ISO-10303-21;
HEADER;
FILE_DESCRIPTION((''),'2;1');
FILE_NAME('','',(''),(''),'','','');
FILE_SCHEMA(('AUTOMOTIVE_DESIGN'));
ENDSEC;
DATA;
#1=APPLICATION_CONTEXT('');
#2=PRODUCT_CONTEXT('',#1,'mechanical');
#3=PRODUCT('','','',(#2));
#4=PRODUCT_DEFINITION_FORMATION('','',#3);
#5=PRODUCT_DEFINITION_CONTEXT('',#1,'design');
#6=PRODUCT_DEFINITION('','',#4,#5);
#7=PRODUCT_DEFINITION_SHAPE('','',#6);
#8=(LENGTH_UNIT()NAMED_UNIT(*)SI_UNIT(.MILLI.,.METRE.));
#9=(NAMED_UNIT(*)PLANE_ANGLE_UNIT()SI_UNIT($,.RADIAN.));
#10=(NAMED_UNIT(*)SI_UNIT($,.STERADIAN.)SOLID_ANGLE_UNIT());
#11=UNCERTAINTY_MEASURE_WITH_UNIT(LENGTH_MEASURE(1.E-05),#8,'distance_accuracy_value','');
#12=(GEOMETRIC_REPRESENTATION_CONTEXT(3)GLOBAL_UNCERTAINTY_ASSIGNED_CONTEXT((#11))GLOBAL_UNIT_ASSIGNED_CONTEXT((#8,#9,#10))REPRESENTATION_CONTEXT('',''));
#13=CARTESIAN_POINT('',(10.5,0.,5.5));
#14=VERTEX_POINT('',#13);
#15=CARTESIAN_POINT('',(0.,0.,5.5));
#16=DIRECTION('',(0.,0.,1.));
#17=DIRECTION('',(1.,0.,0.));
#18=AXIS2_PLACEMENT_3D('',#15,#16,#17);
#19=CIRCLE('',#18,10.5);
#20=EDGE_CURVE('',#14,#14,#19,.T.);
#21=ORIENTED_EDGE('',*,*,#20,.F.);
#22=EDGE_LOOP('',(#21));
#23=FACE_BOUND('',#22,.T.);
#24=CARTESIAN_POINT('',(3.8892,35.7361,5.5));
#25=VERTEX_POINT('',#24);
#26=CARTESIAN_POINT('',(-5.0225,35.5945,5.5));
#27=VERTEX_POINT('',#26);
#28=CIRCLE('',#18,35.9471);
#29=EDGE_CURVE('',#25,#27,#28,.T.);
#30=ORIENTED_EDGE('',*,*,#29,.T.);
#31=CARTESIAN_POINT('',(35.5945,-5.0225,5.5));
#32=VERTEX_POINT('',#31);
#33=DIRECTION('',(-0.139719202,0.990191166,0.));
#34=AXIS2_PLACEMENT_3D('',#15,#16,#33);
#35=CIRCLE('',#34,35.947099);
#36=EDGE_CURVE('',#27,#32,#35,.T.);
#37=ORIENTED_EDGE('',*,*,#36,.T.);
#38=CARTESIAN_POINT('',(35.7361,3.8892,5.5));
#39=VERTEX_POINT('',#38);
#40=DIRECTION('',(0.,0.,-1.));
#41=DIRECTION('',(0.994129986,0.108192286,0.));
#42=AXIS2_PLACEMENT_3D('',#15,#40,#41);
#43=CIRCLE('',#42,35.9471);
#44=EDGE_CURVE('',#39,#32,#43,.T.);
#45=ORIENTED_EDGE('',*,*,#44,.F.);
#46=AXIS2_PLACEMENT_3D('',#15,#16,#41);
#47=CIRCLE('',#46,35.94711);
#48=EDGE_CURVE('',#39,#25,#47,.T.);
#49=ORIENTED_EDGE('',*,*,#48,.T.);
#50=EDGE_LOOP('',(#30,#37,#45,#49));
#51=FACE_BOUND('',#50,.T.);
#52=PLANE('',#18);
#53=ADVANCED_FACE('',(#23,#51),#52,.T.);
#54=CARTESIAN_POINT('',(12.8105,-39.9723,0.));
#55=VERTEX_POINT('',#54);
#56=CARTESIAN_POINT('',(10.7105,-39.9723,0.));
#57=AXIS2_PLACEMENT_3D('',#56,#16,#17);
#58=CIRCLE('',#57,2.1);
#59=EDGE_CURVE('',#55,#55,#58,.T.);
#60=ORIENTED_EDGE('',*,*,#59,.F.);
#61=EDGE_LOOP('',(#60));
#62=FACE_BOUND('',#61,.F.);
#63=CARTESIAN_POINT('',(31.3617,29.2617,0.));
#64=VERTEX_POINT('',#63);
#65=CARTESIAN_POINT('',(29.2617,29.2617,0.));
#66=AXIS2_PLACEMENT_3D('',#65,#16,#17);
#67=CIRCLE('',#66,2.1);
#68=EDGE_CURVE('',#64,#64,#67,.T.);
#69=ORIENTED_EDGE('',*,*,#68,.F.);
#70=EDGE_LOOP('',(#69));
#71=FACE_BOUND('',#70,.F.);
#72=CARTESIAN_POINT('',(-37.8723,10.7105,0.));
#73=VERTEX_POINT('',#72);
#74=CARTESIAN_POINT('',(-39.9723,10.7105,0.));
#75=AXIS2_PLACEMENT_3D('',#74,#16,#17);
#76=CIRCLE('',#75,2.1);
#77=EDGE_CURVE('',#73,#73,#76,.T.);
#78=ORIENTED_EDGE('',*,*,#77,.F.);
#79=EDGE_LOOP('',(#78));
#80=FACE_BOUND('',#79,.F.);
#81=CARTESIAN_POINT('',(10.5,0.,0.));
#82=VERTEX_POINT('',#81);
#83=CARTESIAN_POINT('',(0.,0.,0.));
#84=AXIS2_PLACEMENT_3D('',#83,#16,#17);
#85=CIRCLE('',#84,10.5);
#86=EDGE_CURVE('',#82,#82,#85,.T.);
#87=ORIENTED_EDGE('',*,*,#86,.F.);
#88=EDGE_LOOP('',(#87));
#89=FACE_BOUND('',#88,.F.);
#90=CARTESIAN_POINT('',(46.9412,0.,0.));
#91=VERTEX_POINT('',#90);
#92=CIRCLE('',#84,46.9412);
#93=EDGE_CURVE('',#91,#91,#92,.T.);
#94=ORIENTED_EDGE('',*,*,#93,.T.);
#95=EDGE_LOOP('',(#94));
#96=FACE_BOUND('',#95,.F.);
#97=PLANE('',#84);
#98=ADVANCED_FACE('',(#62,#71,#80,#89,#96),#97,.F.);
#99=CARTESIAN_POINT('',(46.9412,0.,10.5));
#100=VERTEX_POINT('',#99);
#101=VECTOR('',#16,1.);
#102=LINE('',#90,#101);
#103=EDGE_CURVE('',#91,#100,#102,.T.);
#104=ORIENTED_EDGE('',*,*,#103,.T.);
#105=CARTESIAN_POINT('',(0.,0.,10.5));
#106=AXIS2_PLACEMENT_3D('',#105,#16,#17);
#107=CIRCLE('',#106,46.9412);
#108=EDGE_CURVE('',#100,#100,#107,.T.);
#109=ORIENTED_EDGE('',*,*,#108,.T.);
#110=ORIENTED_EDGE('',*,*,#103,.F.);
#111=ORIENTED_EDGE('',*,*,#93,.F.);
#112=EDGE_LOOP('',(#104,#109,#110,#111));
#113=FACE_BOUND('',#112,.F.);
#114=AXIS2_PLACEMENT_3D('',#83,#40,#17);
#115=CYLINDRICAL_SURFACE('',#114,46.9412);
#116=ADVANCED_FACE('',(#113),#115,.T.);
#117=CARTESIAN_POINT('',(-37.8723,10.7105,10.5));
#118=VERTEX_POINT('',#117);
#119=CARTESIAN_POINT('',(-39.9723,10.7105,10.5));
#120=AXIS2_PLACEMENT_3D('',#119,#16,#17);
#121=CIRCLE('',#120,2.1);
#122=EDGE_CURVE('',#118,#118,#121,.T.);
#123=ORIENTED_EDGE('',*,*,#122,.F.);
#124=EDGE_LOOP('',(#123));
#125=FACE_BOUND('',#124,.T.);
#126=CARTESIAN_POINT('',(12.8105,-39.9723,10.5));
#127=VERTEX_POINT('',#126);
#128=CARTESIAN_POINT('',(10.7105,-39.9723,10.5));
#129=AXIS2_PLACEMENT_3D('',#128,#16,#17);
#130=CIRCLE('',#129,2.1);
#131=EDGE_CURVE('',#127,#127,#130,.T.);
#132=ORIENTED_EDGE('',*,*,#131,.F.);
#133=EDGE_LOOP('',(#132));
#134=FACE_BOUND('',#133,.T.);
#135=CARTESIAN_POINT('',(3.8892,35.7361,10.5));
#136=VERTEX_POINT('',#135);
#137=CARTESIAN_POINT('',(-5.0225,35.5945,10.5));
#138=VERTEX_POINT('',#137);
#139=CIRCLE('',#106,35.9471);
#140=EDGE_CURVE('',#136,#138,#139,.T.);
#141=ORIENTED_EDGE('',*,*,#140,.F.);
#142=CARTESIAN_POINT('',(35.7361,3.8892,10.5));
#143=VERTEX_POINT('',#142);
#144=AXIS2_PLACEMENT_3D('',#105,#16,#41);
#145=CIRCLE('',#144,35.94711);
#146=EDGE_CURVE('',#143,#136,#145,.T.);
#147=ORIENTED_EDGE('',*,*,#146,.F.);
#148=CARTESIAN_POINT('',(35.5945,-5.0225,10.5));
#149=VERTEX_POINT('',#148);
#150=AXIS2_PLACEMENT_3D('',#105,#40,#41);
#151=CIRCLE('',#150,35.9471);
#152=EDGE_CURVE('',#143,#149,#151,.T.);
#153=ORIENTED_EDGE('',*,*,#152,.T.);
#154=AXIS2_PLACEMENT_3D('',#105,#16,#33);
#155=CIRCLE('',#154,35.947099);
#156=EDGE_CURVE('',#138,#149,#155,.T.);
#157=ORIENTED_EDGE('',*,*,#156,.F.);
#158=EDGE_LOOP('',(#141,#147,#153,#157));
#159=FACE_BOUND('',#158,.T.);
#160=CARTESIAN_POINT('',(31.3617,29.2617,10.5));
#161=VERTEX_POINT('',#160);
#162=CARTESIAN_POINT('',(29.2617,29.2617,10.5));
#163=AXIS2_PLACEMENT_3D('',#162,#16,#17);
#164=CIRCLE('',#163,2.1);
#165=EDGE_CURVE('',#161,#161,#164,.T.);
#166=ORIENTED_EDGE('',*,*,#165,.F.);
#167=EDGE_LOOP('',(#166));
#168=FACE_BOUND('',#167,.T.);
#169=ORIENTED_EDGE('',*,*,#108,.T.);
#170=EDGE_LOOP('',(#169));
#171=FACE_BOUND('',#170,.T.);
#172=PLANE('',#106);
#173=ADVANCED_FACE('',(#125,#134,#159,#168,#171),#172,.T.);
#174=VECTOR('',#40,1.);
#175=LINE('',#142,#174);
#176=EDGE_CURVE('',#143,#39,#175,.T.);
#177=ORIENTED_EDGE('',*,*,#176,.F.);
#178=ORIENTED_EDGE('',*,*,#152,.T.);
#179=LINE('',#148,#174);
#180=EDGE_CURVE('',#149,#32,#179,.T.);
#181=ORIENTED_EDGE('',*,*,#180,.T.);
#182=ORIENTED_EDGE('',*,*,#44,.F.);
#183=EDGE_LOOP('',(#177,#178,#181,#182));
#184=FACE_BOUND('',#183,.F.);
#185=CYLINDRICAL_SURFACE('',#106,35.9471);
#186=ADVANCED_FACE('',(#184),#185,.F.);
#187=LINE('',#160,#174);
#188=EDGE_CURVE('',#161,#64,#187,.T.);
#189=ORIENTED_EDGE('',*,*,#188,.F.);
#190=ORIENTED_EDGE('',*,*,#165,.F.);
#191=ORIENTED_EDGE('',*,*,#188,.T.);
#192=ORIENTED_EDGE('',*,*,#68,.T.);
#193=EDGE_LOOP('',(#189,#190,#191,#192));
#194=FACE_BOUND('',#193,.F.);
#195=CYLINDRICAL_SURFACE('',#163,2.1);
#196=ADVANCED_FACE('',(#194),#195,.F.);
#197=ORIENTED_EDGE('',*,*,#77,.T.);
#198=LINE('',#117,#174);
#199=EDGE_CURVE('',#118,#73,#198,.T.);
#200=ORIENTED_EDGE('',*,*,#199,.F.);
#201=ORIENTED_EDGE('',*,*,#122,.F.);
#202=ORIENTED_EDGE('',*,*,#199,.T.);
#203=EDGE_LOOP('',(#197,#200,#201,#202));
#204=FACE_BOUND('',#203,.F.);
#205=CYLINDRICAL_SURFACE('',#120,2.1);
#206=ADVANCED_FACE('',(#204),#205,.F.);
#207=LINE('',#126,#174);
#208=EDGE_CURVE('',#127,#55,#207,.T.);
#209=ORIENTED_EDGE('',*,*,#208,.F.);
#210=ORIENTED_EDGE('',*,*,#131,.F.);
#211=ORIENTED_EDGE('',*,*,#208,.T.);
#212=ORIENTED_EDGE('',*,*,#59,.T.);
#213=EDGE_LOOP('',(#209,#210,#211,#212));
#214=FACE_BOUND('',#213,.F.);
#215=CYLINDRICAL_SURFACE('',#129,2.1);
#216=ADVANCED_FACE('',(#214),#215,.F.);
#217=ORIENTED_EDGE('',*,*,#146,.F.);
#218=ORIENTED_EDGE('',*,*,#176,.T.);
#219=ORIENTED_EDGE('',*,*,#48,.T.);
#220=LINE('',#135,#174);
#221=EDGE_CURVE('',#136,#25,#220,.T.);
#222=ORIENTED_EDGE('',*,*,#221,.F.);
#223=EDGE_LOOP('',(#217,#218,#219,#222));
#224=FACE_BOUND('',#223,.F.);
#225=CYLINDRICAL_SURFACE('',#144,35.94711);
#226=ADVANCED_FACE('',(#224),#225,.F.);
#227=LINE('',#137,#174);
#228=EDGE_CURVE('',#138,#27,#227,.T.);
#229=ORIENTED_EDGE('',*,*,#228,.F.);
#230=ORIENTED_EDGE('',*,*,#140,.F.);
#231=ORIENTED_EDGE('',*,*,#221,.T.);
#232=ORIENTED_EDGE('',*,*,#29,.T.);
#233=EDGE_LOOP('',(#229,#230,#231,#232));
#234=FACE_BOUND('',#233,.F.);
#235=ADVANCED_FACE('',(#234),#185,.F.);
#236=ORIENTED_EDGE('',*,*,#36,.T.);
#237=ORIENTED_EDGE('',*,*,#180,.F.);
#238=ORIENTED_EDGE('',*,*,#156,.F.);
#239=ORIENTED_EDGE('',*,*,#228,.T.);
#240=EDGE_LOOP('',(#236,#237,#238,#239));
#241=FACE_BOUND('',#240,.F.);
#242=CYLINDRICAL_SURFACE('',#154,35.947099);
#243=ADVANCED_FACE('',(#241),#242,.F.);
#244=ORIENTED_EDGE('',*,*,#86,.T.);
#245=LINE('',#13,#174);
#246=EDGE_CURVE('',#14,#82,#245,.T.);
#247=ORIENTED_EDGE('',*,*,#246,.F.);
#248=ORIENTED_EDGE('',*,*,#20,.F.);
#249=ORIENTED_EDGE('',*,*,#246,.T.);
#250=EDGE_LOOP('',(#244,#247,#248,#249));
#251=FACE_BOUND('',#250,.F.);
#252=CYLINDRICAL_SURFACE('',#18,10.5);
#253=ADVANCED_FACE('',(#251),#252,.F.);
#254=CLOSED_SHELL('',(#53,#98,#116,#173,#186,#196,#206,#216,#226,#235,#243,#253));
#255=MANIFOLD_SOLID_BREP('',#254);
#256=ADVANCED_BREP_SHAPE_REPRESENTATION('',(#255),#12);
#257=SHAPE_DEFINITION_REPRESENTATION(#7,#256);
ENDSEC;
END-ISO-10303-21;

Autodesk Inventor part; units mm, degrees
ref_plane "YZ Plane" through (0, 0, 0) normal (1, 0, 0) x (0, 1, 0)
ref_plane "XZ Plane" through (0, 0, 0) normal (0, 1, 0) x (-1, 0, 0)
ref_plane "XY Plane" through (0, 0, 0) normal (0, 0, 1) x (1, 0, 0)
sketch "スケッチ1" plane through (0, 0, 0) normal (0, 0, 1) x (1, 0, 0)
  circle A0 centre (0, 0) radius 46.9412
  dimension "d3" = 93.8824
extrude "押し出し1" add sketch "スケッチ1" along normal blind 10.5
sketch "スケッチ2" plane through (0, 0, 10.5) normal (0, 0, 1) x (1, 0, 0)
  circle A0 centre (0, 0) radius 46.9412
  arc A1 (-5.0225, 35.5945) -> (35.5945, -5.0225) centre (0, 0) ccw
  arc A2 (35.7361, 3.8892) -> (3.8892, 35.7361) centre (0, 0) ccw
  circle A3 centre (29.2617, 29.2617) radius 2.1
  circle A4 centre (-39.9723, 10.7105) radius 2.1
  circle A5 centre (10.7105, -39.9723) radius 2.1
  circle A6 centre (0, 0) radius 35.9471
  dimension "d4" = 4.2
extrude "押し出し2" cut sketch "スケッチ2" against normal blind 5 contours A6 A2 A1
sketch "スケッチ3" plane through (0, 0, 10.5) normal (0, 0, 1) x (1, 0, 0)
  circle A0 centre (0, 0) radius 46.9412
  arc A1 (-5.0225, 35.5945) -> (35.5945, -5.0225) centre (0, 0) ccw
  arc A2 (35.7361, 3.8892) -> (3.8892, 35.7361) centre (0, 0) ccw
  circle A3 centre (29.2617, 29.2617) radius 2.1
  circle A4 centre (-39.9723, 10.7105) radius 2.1
  circle A5 centre (10.7105, -39.9723) radius 2.1
  circle A6 centre (0, 0) radius 35.9471
  dimension "d7" = 4.2
extrude "押し出し3" cut sketch "スケッチ3" against normal blind 10.5 contours A3 | A4 | A5
sketch "スケッチ4" plane through (0, 0, 5.5) normal (0, 0, 1) x (1, 0, 0)
  circle A0 centre (0, 0) radius 10.5
  circle A1 centre (0, 0) radius 10.5
extrude "押し出し4" cut sketch "スケッチ4" against normal blind 10.5
properties part number "fix_plate"
